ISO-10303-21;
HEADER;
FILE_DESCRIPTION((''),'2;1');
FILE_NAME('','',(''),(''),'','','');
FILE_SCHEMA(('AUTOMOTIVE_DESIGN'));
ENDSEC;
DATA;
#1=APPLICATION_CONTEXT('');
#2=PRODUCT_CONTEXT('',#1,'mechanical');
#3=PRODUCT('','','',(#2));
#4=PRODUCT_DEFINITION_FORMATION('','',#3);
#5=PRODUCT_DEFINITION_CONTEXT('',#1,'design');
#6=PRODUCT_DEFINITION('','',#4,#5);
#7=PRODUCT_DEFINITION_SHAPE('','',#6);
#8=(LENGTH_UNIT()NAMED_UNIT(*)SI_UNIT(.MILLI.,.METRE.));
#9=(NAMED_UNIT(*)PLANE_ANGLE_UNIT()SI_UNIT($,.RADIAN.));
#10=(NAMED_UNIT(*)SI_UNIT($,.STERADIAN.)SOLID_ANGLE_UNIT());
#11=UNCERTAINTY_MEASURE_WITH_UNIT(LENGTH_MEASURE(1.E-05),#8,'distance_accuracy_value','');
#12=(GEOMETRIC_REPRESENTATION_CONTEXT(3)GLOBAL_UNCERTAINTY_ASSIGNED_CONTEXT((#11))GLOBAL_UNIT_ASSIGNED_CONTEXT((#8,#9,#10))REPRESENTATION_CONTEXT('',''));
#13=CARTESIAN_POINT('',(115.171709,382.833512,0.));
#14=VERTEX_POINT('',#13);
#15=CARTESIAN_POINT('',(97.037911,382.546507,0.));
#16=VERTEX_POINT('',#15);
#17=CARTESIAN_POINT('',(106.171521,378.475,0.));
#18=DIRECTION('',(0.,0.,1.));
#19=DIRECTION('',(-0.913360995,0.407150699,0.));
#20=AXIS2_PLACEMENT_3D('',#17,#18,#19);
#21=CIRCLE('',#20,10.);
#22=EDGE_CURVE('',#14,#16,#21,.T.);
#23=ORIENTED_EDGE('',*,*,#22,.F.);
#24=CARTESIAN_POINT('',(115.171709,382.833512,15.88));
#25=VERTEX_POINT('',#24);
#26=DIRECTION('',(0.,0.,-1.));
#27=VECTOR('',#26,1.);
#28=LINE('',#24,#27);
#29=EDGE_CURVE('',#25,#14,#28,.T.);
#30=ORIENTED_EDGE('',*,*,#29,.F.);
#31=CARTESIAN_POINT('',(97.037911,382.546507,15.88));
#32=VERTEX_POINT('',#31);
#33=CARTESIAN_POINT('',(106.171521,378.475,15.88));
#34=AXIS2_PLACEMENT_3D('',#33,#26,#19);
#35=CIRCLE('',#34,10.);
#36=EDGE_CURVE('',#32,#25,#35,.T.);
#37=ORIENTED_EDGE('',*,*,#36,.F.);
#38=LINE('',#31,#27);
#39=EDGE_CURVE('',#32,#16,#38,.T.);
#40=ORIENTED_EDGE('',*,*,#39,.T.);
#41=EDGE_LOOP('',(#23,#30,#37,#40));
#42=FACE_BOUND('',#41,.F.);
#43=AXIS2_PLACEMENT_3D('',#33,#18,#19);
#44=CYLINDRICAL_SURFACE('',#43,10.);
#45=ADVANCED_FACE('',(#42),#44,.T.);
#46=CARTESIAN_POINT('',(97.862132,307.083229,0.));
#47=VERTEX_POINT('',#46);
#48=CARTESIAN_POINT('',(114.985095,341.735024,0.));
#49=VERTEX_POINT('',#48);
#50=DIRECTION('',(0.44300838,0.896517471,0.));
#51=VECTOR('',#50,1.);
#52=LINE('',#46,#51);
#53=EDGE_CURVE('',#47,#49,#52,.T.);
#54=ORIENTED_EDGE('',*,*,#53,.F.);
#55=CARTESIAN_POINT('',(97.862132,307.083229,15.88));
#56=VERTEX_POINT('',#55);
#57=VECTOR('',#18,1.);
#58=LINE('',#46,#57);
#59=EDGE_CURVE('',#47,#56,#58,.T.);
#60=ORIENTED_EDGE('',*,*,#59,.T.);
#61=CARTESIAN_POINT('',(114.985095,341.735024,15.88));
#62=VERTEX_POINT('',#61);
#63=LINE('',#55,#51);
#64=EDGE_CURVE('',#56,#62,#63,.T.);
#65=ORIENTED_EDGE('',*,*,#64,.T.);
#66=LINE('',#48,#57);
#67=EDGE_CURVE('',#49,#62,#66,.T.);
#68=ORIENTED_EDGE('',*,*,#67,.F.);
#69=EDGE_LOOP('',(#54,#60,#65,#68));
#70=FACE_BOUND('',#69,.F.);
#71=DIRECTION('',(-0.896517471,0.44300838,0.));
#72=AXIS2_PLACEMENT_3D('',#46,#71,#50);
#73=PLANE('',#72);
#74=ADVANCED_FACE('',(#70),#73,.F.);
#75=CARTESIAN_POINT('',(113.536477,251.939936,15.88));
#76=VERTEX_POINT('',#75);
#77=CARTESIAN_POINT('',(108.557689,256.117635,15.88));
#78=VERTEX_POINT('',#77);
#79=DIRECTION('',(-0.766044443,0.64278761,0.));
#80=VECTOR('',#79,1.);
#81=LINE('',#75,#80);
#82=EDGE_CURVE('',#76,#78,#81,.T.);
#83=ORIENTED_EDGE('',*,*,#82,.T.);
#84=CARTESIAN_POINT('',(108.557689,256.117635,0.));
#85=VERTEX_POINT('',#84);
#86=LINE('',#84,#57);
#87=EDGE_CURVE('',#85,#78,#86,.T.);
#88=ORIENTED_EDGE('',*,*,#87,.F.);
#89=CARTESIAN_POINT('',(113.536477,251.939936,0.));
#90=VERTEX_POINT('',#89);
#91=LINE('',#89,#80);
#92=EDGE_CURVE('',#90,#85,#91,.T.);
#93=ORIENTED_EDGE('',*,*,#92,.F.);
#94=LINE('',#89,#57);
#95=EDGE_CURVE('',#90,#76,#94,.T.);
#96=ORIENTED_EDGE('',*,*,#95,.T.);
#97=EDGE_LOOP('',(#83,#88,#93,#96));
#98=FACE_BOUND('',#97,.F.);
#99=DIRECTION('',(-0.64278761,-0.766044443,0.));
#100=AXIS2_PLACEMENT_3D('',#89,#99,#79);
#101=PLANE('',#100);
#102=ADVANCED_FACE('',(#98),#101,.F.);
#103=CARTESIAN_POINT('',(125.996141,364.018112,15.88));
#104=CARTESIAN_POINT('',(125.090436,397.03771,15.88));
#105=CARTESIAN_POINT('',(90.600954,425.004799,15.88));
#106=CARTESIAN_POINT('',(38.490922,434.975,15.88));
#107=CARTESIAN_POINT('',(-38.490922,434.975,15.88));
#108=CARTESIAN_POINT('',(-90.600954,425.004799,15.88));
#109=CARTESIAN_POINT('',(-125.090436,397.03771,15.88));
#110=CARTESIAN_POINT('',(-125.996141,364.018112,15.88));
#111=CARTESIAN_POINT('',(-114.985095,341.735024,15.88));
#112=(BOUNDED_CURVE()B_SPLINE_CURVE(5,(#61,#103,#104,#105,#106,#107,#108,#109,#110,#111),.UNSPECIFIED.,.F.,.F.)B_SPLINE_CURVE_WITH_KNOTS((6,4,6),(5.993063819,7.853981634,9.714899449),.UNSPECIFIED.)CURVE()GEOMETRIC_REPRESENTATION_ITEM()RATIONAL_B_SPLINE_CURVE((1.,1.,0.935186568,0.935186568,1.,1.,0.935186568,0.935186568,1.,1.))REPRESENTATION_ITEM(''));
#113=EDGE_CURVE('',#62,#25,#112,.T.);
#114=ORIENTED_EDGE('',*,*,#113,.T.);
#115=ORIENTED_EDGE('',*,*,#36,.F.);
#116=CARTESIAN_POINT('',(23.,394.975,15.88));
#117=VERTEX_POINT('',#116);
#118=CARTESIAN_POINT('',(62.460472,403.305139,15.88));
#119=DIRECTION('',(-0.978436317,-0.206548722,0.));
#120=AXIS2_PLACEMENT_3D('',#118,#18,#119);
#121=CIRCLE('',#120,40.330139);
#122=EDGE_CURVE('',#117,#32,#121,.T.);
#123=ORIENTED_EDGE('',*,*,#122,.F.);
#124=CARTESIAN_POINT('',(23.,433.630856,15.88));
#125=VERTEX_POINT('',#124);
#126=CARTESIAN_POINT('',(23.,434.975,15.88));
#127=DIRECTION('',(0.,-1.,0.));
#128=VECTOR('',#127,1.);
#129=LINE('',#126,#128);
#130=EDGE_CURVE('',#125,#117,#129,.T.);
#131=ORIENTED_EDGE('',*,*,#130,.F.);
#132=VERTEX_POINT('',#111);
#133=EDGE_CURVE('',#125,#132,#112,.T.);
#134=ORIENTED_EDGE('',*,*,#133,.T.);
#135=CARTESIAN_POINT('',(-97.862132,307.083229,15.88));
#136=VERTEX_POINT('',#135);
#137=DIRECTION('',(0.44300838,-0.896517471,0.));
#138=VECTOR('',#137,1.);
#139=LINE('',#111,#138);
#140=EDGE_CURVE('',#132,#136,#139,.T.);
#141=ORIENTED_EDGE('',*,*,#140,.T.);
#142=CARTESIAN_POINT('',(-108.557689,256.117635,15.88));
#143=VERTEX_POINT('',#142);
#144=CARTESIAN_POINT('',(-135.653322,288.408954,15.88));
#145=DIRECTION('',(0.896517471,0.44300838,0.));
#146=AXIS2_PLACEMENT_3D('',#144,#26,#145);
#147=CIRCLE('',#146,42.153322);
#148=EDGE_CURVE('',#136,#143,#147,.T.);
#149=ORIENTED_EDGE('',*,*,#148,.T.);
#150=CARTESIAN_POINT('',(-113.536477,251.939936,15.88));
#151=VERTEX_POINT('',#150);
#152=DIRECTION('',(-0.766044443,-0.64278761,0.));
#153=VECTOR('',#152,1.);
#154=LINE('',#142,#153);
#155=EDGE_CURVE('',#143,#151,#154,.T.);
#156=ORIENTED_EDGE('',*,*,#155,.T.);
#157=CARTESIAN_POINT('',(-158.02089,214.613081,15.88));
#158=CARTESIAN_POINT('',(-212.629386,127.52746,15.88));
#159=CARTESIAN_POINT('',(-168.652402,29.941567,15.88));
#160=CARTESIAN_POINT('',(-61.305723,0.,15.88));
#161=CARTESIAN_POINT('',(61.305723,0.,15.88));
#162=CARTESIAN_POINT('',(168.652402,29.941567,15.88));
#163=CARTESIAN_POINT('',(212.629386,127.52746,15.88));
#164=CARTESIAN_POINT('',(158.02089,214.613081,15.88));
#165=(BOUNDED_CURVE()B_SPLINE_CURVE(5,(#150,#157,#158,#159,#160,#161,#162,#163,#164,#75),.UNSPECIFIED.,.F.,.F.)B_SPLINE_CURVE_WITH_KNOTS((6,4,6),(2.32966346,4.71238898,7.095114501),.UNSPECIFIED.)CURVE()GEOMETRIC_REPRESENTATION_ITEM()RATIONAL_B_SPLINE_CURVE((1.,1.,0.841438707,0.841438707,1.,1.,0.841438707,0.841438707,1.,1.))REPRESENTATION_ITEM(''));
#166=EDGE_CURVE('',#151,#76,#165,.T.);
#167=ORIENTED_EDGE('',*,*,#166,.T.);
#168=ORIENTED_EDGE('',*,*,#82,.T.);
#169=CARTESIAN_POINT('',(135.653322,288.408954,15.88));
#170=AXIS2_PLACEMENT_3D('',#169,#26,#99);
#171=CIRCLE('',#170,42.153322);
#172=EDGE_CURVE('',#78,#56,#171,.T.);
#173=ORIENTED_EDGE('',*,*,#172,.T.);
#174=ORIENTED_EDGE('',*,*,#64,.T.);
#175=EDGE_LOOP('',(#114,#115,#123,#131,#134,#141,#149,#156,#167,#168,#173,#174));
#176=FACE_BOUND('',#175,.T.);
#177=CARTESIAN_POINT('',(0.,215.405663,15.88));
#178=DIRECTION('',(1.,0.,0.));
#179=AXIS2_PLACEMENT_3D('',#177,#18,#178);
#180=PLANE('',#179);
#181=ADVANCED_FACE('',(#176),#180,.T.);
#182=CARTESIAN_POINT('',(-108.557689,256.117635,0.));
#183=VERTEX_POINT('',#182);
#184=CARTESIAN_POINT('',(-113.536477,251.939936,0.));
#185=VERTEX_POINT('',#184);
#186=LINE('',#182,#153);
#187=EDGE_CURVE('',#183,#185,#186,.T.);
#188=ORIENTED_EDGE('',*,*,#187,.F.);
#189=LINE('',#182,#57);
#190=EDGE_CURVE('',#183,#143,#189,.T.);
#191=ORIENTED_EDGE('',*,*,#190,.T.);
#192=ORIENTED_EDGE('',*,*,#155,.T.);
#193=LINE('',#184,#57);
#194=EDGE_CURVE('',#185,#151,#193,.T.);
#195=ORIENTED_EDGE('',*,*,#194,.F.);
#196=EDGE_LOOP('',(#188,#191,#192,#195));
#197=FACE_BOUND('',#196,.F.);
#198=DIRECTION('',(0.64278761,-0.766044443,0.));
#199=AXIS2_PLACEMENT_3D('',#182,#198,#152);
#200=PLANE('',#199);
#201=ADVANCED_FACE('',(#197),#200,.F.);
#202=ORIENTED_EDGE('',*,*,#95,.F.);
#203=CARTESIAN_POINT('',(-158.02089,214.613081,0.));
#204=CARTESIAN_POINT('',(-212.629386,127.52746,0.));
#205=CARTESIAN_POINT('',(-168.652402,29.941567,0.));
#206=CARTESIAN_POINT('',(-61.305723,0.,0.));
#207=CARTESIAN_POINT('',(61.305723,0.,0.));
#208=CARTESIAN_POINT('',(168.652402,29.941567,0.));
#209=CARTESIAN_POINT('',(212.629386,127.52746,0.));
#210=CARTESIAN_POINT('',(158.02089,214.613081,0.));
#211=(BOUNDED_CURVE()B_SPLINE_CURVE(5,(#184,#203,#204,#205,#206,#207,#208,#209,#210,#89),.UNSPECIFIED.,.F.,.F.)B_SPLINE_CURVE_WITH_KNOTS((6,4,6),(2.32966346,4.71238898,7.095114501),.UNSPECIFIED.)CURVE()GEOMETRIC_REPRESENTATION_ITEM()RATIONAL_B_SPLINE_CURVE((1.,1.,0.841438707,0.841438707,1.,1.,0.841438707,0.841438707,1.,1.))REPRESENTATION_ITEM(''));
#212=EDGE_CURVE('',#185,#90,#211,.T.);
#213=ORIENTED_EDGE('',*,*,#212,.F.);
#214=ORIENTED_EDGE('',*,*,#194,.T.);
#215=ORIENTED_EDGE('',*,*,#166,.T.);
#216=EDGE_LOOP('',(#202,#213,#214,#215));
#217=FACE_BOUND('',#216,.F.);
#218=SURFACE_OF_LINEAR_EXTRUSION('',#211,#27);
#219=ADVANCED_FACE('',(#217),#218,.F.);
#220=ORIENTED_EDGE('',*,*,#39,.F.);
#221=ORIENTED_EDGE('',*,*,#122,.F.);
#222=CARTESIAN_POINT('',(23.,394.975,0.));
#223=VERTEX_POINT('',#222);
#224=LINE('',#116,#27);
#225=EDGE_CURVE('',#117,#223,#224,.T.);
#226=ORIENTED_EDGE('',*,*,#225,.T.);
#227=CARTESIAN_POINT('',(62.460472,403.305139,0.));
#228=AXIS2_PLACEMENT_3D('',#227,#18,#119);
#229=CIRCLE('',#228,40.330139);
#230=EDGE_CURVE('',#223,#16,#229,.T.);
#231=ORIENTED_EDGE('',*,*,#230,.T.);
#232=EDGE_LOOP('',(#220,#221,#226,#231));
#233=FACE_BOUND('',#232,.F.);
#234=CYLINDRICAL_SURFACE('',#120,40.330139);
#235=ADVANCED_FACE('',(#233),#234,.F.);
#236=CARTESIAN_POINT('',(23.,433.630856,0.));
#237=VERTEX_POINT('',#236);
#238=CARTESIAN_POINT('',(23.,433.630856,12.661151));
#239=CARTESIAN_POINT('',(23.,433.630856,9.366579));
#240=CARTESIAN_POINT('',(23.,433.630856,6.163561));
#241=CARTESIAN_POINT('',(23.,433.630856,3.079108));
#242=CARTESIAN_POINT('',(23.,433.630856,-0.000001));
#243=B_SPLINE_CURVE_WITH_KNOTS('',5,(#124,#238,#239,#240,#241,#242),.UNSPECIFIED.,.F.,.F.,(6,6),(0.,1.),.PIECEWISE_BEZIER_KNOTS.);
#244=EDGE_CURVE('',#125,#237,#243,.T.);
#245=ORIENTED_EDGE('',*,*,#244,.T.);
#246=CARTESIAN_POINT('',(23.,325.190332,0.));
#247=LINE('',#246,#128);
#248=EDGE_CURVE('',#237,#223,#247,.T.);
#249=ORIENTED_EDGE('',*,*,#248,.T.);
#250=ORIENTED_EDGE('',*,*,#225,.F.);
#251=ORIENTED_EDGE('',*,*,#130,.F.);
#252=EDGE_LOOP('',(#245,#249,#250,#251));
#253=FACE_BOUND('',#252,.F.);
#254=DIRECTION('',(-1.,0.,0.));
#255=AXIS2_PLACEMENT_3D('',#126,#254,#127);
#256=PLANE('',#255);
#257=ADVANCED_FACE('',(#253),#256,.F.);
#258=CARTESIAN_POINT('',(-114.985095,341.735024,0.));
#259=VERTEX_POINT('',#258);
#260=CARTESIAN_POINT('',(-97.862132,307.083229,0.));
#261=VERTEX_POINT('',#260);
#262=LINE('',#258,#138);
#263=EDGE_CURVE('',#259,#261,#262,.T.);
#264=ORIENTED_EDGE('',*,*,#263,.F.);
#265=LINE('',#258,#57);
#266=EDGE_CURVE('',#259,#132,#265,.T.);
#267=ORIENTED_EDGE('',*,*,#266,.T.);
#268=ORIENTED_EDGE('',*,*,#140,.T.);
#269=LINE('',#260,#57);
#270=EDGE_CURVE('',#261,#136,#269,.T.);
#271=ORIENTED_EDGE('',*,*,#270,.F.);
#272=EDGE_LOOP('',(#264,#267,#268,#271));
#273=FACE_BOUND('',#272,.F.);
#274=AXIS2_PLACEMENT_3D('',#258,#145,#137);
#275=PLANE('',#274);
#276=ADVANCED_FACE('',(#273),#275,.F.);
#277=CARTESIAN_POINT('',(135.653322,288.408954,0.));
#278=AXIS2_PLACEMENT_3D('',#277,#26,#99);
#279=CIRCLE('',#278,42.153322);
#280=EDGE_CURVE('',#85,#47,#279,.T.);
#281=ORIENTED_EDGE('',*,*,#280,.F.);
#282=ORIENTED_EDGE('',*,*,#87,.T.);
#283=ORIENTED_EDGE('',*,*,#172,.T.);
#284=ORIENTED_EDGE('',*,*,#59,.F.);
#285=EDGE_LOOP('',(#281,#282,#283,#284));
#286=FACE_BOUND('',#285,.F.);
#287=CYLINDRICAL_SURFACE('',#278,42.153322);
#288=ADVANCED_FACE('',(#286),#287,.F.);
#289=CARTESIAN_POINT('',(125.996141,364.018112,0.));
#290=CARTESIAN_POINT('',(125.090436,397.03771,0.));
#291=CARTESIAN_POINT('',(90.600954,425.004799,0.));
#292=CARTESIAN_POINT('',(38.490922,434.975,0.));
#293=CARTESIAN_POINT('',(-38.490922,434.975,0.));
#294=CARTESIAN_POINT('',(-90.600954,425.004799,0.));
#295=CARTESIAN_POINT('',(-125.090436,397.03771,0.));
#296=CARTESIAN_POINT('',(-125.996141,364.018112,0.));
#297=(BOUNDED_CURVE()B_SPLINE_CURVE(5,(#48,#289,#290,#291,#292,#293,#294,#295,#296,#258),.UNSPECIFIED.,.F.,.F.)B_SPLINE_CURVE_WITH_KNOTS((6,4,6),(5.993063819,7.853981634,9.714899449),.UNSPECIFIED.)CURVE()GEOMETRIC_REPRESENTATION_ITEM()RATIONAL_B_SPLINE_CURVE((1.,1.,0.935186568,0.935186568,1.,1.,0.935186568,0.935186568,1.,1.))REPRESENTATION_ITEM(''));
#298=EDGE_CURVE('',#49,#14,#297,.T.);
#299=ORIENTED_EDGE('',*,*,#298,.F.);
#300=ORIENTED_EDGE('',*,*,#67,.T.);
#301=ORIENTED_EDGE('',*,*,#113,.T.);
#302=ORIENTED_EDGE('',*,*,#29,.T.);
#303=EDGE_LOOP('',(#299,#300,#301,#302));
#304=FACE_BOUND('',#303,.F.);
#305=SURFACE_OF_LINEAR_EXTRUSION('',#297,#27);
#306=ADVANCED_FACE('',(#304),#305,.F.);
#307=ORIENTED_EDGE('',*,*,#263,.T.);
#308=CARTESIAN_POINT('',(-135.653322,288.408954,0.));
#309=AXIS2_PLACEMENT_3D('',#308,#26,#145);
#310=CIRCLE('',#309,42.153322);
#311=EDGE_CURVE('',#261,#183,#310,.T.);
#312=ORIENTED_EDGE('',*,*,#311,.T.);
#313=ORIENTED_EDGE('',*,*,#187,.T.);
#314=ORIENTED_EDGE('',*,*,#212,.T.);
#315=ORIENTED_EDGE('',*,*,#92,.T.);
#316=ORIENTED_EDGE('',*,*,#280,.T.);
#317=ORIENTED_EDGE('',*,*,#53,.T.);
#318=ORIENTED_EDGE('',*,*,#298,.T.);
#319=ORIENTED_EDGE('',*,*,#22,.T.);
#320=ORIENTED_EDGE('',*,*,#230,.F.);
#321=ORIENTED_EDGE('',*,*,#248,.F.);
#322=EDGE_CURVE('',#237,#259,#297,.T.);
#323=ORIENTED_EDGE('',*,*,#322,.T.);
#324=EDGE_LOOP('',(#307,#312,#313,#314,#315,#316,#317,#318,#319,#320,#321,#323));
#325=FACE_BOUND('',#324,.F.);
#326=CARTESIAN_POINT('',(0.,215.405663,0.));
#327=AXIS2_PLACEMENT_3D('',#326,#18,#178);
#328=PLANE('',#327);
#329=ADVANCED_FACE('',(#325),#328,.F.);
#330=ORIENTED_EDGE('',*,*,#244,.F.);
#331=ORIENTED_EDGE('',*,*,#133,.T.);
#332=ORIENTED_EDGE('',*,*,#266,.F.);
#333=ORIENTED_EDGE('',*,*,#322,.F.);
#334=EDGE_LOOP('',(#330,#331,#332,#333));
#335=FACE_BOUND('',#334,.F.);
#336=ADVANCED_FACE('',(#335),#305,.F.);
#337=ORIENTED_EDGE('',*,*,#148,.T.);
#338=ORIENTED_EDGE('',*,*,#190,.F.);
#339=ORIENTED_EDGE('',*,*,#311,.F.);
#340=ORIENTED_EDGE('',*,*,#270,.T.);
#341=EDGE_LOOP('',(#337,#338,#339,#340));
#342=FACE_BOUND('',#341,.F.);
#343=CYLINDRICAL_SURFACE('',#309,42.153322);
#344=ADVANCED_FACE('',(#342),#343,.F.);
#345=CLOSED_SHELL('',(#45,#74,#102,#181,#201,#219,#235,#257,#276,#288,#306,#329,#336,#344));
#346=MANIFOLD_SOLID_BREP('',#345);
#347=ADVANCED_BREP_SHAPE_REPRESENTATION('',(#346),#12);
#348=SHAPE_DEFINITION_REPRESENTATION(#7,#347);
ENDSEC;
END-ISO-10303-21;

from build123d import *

# Parameters (mm, degrees)
F1_DEPTH = 15.88
F3_DEPTH = 15.8810001


with BuildPart() as f1:
    # F0 (on Top) → F1 (new body)
    with BuildSketch(Plane.XY):
        with BuildLine():
            Line((-108.5576890767, 256.1176353494), (-113.5364770265, 251.939936217))
            add(Edge.make_bspline(
                [(-113.5364770265, 251.939936217), (-413.7868011311, 0), (0, 0)],
                knots=[2.3296634603, 2.3296634603, 2.3296634603, 4.7123889804, 4.7123889804, 4.7123889804], degree=2, weights=[1, 0.3703943834, 1]))
            add(Edge.make_bspline(
                [(0, 0), (413.7868011311, 0), (113.5364770265, 251.939936217)],
                knots=[4.7123889804, 4.7123889804, 4.7123889804, 7.0951145005, 7.0951145005, 7.0951145005], degree=2, weights=[1, 0.3703943834, 1]))
            Line((113.5364770265, 251.939936217), (108.5576890767, 256.1176353494))
            ThreePointArc((108.5576890767, 256.1176353494), (94.3986512821, 279.7513155104), (97.8621324213, 307.0832288649))
            Line((97.8621324213, 307.0832288649), (114.985095442, 341.7350237373))
            add(Edge.make_bspline(
                [(114.985095442, 341.7350237373), (161.0590339343, 434.975), (0, 434.975)],
                knots=[5.9930638192, 5.9930638192, 5.9930638192, 7.853981634, 7.853981634, 7.853981634], degree=2, weights=[1, 0.59746605, 1]))
            add(Edge.make_bspline(
                [(0, 434.975), (-161.0590339343, 434.975), (-114.985095442, 341.7350237373)],
                knots=[4.7123889804, 4.7123889804, 4.7123889804, 6.5733067952, 6.5733067952, 6.5733067952], degree=2, weights=[1, 0.59746605, 1]))
            Line((-114.985095442, 341.7350237373), (-97.8621324213, 307.0832288649))
            ThreePointArc((-97.8621324213, 307.0832288649), (-94.3986512821, 279.7513155104), (-108.5576890767, 256.1176353494))
        make_face()
    extrude(amount=F1_DEPTH)

    # F2 (on face) → F3 (cut, through all)
    with BuildSketch(Plane.XY.offset(15.88)):
        with BuildLine():
            Line((89.9212004113, 434.975), (23, 434.975))
            Line((23, 434.975), (23, 394.975))
            ThreePointArc((23, 394.975), (55.7838066831, 363.5315013935), (97.0379112946, 382.5465069933))
            ThreePointArc((97.0379112946, 382.5465069933), (106.0132702576, 388.4737477528), (115.1717086084, 382.8335120741))
            Line((115.1717086084, 382.8335120741), (89.9212004113, 434.975))
        make_face()
    extrude(amount=-F3_DEPTH, mode=Mode.SUBTRACT)


solid = f1.part
